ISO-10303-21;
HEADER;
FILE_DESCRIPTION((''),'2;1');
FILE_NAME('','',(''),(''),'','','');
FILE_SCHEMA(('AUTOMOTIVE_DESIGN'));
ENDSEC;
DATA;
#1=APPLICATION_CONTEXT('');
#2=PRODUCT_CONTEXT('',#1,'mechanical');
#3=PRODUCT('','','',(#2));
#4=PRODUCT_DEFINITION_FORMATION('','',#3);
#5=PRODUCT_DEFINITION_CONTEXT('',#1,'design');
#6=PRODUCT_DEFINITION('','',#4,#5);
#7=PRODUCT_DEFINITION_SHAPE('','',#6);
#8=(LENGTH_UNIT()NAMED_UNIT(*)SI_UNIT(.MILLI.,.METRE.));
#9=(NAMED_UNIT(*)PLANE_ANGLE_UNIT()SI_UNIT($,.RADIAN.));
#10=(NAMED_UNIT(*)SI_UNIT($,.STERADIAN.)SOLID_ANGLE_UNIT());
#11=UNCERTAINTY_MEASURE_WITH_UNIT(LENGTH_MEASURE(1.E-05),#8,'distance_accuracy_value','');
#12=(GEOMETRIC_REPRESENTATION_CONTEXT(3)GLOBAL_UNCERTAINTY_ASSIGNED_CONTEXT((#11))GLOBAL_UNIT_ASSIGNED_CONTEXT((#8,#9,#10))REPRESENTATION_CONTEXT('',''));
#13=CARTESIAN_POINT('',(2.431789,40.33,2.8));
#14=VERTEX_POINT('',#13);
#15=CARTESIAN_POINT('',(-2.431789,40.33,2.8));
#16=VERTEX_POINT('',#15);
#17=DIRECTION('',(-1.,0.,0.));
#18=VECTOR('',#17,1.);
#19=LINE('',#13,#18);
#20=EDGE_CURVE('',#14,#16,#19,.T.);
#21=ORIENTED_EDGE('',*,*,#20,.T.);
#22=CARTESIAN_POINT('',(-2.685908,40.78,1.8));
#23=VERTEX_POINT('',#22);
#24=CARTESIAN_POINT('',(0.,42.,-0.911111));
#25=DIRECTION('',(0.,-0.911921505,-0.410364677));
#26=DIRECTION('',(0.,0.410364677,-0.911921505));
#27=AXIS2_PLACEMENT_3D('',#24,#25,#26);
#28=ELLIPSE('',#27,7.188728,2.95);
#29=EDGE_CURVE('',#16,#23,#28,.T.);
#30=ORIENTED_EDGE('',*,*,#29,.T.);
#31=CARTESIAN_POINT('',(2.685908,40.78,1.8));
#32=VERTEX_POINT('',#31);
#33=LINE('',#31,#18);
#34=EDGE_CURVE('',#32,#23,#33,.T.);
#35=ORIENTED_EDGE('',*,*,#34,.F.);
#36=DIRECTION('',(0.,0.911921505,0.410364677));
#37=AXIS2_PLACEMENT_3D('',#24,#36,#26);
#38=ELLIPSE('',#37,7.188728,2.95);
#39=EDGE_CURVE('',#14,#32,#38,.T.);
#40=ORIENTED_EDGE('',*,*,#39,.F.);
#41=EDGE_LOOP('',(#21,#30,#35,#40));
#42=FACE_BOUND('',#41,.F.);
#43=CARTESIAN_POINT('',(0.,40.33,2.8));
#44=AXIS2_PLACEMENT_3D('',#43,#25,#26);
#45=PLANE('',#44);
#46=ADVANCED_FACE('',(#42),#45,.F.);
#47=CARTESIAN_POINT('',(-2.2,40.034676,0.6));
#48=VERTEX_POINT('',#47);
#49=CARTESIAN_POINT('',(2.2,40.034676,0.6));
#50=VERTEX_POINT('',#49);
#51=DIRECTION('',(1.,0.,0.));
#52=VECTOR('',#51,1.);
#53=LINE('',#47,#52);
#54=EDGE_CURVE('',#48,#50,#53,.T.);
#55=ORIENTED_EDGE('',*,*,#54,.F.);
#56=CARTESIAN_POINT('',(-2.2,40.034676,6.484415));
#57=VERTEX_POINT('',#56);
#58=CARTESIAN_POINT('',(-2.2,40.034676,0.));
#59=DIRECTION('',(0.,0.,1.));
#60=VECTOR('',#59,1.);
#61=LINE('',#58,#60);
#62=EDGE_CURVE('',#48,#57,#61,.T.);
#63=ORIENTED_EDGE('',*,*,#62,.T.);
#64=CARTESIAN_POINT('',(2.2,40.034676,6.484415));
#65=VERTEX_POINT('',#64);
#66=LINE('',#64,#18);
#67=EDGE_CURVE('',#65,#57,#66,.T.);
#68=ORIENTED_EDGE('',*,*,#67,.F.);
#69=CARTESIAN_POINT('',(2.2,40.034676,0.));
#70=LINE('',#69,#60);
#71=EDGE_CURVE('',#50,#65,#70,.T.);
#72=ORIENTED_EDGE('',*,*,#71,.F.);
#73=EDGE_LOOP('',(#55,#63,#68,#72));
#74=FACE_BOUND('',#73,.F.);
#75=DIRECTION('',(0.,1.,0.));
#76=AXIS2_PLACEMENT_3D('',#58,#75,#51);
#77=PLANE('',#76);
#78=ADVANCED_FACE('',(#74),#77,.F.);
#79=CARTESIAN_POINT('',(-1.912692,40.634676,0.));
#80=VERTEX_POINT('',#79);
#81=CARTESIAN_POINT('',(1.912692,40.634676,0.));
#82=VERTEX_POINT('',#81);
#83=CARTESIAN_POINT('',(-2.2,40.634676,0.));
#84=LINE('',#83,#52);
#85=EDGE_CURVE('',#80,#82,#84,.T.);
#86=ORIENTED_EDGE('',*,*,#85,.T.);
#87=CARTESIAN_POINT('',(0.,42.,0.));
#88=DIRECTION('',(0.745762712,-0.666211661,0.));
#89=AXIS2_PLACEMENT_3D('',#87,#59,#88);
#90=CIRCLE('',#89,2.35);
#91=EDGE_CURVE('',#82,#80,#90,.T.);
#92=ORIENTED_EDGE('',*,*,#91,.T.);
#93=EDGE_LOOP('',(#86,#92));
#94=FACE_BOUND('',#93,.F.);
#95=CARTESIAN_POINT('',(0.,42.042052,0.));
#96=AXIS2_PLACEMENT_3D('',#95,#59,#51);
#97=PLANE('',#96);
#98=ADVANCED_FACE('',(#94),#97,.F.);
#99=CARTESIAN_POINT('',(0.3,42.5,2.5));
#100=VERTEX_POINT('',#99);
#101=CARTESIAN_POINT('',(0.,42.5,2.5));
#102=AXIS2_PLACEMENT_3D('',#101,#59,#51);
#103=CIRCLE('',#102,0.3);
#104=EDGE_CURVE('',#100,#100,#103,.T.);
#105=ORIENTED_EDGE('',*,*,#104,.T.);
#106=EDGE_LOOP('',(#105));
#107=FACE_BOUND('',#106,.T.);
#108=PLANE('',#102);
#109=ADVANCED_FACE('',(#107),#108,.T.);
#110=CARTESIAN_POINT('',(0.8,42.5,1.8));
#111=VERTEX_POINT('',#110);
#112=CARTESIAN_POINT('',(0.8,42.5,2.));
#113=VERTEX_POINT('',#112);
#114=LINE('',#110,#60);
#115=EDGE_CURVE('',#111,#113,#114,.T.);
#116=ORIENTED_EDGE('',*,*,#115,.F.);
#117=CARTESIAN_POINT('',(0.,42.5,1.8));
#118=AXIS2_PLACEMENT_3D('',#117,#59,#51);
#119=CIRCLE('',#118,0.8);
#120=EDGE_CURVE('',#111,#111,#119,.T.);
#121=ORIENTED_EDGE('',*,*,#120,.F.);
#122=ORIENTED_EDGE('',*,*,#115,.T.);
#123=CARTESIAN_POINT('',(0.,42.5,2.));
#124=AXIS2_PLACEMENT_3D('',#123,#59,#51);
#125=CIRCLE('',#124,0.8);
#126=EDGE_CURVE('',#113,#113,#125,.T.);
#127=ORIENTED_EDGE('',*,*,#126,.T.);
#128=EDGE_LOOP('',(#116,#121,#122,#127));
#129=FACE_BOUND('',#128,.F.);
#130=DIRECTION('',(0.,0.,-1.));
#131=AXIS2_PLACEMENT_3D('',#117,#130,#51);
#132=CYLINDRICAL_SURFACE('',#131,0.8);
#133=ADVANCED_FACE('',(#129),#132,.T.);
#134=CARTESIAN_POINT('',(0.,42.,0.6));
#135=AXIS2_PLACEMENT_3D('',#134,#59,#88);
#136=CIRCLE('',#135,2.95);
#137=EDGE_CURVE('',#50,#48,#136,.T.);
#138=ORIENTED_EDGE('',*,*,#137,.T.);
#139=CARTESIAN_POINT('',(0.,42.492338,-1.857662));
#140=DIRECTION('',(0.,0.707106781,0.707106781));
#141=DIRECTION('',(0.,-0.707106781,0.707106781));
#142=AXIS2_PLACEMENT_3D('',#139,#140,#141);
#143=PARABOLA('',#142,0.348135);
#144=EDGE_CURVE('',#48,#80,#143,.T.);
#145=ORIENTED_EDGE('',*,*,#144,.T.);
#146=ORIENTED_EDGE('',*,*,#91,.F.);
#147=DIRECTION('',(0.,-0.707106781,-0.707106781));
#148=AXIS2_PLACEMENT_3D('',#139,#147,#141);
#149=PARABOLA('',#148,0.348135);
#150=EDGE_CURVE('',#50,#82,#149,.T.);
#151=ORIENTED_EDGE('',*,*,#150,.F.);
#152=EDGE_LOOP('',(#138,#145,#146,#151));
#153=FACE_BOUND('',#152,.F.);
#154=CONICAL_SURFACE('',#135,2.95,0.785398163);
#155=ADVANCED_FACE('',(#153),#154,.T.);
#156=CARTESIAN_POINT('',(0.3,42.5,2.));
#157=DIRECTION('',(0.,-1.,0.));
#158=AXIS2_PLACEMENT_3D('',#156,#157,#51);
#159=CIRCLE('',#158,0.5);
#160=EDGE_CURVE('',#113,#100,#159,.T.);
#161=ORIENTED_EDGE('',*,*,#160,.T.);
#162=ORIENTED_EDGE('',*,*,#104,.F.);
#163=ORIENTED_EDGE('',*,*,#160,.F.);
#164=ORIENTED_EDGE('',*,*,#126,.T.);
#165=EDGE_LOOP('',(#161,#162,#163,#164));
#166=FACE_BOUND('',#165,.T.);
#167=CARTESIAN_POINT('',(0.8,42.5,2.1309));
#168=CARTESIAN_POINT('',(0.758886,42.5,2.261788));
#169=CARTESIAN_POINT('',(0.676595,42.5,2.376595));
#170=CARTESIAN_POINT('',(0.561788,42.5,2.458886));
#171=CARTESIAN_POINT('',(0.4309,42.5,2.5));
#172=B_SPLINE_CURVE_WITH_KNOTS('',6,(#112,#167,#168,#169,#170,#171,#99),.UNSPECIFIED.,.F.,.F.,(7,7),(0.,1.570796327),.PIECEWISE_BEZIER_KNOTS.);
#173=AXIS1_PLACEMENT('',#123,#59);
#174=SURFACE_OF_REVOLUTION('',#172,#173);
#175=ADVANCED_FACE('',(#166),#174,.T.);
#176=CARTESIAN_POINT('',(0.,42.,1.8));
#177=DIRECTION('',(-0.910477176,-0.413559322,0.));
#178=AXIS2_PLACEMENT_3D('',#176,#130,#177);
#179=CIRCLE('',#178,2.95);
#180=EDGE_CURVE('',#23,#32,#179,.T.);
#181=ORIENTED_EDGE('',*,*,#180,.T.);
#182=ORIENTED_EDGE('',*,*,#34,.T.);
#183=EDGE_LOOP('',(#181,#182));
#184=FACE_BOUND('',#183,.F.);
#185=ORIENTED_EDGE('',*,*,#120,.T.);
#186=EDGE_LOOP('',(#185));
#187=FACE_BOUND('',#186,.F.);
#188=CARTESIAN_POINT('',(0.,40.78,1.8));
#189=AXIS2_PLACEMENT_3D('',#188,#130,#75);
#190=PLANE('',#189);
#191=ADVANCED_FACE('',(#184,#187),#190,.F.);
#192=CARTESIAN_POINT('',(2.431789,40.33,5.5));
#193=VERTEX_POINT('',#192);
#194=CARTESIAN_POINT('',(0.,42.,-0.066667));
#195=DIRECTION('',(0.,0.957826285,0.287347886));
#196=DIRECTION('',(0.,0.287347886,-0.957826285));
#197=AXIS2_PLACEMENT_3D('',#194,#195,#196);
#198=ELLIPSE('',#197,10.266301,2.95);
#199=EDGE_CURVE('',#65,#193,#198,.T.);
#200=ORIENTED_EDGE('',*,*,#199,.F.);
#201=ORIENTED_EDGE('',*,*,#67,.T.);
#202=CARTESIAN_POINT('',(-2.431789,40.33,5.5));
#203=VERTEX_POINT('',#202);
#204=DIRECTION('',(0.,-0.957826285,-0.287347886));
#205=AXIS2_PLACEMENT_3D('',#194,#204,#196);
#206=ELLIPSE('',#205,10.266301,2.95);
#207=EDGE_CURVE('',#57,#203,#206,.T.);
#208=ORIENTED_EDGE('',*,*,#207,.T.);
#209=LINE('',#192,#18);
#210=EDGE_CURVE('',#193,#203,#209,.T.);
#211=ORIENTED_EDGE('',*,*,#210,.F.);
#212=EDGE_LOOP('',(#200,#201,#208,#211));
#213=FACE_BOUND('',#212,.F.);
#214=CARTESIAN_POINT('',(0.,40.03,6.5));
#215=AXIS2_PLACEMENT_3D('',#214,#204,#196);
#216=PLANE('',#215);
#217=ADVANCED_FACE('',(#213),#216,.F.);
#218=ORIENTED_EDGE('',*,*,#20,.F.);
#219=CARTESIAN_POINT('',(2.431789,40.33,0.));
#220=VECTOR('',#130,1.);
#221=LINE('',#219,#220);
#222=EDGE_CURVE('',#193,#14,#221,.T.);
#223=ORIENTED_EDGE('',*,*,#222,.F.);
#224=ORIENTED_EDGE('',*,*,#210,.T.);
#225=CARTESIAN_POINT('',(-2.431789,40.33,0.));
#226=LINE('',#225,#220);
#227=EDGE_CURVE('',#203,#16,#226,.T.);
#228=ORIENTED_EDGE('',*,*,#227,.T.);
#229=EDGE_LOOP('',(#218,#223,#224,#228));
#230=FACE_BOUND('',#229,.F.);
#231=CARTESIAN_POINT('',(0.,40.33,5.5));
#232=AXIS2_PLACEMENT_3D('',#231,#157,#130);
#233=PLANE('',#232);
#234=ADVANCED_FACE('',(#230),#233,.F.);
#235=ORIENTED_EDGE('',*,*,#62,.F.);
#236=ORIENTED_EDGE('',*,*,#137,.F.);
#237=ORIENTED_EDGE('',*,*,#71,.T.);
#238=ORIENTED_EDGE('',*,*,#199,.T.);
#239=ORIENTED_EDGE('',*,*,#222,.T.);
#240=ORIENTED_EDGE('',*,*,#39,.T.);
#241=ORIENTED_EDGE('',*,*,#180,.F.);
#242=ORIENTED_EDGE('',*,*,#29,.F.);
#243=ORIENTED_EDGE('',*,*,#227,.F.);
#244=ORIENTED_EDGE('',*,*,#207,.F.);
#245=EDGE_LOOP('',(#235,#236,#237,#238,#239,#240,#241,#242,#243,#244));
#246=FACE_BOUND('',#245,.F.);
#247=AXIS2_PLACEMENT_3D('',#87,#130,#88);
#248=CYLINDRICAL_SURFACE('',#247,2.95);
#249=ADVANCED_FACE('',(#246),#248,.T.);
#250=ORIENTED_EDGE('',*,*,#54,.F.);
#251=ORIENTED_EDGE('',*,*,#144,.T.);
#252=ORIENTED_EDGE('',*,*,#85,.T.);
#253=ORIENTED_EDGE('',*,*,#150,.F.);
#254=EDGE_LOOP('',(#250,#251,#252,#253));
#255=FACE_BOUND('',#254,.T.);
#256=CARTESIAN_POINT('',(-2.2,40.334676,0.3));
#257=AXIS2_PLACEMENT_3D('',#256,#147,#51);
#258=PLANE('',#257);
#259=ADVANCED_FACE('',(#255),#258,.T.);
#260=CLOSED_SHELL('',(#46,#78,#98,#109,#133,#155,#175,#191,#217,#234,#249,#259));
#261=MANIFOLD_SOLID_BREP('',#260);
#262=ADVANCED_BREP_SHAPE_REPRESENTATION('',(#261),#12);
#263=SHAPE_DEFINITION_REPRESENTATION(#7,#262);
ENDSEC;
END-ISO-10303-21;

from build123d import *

# Parameters (mm, degrees)
PAD003_DEPTH         = 6.5
POCKET004_DEPTH      = 2.951
POCKET004_DEPTH_BACK = 2.951
SKETCH013_R          = 0.8
PAD006_DEPTH         = 0.7
FILLET_R             = 0.5
CHAMFER004_SIZE      = 0.6


with BuildPart() as part:
    # Sketch004 → Pad003 (new body)
    with BuildSketch(Plane.XY):
        with BuildLine():
            ThreePointArc((2.2, -1.9653244007), (0, 2.95), (-2.2, -1.9653244007))
            Line((-2.2, -1.9653244007), (2.2, -1.9653244007))
        make_face()
    extrude(amount=PAD003_DEPTH)

    # Sketch014 → Pocket004 (cut, two sides)
    with BuildSketch(Plane.YZ) as pocket004_sk:
        Polygon((-1.97, 6.5), (-1.67, 5.5), (-1.67, 2.8), (-1.22, 1.8), (4, 1.8), (4, 6.5), align=None)
    extrude(amount=-POCKET004_DEPTH, mode=Mode.SUBTRACT)
    extrude(pocket004_sk.sketch, amount=POCKET004_DEPTH_BACK, mode=Mode.SUBTRACT)

    # Sketch013 (on Face7 of Pocket004) → Pad006 (join)
    with BuildSketch(Plane.XY.offset(1.8)):
        with Locations((0, 0.5)):
            Circle(SKETCH013_R)
    extrude(amount=PAD006_DEPTH)

    # Fillet
    fillet_edges = [part.edges().sort_by_distance(p)[0] for p in [
        (-0.8, 0.5, 2.5),
    ]]
    fillet(fillet_edges, radius=FILLET_R)

    # Chamfer004
    chamfer004_edges = [part.edges().sort_by_distance(p)[0] for p in [
        (0, 2.95, 0),
        (0, -1.965324, 0),
    ]]
    chamfer(chamfer004_edges, length=CHAMFER004_SIZE)


with BuildPart() as part_1:
    # Body026 placement: moved
    add(part.part.moved(Location((0, 42, 0))))


solid = part_1.part
